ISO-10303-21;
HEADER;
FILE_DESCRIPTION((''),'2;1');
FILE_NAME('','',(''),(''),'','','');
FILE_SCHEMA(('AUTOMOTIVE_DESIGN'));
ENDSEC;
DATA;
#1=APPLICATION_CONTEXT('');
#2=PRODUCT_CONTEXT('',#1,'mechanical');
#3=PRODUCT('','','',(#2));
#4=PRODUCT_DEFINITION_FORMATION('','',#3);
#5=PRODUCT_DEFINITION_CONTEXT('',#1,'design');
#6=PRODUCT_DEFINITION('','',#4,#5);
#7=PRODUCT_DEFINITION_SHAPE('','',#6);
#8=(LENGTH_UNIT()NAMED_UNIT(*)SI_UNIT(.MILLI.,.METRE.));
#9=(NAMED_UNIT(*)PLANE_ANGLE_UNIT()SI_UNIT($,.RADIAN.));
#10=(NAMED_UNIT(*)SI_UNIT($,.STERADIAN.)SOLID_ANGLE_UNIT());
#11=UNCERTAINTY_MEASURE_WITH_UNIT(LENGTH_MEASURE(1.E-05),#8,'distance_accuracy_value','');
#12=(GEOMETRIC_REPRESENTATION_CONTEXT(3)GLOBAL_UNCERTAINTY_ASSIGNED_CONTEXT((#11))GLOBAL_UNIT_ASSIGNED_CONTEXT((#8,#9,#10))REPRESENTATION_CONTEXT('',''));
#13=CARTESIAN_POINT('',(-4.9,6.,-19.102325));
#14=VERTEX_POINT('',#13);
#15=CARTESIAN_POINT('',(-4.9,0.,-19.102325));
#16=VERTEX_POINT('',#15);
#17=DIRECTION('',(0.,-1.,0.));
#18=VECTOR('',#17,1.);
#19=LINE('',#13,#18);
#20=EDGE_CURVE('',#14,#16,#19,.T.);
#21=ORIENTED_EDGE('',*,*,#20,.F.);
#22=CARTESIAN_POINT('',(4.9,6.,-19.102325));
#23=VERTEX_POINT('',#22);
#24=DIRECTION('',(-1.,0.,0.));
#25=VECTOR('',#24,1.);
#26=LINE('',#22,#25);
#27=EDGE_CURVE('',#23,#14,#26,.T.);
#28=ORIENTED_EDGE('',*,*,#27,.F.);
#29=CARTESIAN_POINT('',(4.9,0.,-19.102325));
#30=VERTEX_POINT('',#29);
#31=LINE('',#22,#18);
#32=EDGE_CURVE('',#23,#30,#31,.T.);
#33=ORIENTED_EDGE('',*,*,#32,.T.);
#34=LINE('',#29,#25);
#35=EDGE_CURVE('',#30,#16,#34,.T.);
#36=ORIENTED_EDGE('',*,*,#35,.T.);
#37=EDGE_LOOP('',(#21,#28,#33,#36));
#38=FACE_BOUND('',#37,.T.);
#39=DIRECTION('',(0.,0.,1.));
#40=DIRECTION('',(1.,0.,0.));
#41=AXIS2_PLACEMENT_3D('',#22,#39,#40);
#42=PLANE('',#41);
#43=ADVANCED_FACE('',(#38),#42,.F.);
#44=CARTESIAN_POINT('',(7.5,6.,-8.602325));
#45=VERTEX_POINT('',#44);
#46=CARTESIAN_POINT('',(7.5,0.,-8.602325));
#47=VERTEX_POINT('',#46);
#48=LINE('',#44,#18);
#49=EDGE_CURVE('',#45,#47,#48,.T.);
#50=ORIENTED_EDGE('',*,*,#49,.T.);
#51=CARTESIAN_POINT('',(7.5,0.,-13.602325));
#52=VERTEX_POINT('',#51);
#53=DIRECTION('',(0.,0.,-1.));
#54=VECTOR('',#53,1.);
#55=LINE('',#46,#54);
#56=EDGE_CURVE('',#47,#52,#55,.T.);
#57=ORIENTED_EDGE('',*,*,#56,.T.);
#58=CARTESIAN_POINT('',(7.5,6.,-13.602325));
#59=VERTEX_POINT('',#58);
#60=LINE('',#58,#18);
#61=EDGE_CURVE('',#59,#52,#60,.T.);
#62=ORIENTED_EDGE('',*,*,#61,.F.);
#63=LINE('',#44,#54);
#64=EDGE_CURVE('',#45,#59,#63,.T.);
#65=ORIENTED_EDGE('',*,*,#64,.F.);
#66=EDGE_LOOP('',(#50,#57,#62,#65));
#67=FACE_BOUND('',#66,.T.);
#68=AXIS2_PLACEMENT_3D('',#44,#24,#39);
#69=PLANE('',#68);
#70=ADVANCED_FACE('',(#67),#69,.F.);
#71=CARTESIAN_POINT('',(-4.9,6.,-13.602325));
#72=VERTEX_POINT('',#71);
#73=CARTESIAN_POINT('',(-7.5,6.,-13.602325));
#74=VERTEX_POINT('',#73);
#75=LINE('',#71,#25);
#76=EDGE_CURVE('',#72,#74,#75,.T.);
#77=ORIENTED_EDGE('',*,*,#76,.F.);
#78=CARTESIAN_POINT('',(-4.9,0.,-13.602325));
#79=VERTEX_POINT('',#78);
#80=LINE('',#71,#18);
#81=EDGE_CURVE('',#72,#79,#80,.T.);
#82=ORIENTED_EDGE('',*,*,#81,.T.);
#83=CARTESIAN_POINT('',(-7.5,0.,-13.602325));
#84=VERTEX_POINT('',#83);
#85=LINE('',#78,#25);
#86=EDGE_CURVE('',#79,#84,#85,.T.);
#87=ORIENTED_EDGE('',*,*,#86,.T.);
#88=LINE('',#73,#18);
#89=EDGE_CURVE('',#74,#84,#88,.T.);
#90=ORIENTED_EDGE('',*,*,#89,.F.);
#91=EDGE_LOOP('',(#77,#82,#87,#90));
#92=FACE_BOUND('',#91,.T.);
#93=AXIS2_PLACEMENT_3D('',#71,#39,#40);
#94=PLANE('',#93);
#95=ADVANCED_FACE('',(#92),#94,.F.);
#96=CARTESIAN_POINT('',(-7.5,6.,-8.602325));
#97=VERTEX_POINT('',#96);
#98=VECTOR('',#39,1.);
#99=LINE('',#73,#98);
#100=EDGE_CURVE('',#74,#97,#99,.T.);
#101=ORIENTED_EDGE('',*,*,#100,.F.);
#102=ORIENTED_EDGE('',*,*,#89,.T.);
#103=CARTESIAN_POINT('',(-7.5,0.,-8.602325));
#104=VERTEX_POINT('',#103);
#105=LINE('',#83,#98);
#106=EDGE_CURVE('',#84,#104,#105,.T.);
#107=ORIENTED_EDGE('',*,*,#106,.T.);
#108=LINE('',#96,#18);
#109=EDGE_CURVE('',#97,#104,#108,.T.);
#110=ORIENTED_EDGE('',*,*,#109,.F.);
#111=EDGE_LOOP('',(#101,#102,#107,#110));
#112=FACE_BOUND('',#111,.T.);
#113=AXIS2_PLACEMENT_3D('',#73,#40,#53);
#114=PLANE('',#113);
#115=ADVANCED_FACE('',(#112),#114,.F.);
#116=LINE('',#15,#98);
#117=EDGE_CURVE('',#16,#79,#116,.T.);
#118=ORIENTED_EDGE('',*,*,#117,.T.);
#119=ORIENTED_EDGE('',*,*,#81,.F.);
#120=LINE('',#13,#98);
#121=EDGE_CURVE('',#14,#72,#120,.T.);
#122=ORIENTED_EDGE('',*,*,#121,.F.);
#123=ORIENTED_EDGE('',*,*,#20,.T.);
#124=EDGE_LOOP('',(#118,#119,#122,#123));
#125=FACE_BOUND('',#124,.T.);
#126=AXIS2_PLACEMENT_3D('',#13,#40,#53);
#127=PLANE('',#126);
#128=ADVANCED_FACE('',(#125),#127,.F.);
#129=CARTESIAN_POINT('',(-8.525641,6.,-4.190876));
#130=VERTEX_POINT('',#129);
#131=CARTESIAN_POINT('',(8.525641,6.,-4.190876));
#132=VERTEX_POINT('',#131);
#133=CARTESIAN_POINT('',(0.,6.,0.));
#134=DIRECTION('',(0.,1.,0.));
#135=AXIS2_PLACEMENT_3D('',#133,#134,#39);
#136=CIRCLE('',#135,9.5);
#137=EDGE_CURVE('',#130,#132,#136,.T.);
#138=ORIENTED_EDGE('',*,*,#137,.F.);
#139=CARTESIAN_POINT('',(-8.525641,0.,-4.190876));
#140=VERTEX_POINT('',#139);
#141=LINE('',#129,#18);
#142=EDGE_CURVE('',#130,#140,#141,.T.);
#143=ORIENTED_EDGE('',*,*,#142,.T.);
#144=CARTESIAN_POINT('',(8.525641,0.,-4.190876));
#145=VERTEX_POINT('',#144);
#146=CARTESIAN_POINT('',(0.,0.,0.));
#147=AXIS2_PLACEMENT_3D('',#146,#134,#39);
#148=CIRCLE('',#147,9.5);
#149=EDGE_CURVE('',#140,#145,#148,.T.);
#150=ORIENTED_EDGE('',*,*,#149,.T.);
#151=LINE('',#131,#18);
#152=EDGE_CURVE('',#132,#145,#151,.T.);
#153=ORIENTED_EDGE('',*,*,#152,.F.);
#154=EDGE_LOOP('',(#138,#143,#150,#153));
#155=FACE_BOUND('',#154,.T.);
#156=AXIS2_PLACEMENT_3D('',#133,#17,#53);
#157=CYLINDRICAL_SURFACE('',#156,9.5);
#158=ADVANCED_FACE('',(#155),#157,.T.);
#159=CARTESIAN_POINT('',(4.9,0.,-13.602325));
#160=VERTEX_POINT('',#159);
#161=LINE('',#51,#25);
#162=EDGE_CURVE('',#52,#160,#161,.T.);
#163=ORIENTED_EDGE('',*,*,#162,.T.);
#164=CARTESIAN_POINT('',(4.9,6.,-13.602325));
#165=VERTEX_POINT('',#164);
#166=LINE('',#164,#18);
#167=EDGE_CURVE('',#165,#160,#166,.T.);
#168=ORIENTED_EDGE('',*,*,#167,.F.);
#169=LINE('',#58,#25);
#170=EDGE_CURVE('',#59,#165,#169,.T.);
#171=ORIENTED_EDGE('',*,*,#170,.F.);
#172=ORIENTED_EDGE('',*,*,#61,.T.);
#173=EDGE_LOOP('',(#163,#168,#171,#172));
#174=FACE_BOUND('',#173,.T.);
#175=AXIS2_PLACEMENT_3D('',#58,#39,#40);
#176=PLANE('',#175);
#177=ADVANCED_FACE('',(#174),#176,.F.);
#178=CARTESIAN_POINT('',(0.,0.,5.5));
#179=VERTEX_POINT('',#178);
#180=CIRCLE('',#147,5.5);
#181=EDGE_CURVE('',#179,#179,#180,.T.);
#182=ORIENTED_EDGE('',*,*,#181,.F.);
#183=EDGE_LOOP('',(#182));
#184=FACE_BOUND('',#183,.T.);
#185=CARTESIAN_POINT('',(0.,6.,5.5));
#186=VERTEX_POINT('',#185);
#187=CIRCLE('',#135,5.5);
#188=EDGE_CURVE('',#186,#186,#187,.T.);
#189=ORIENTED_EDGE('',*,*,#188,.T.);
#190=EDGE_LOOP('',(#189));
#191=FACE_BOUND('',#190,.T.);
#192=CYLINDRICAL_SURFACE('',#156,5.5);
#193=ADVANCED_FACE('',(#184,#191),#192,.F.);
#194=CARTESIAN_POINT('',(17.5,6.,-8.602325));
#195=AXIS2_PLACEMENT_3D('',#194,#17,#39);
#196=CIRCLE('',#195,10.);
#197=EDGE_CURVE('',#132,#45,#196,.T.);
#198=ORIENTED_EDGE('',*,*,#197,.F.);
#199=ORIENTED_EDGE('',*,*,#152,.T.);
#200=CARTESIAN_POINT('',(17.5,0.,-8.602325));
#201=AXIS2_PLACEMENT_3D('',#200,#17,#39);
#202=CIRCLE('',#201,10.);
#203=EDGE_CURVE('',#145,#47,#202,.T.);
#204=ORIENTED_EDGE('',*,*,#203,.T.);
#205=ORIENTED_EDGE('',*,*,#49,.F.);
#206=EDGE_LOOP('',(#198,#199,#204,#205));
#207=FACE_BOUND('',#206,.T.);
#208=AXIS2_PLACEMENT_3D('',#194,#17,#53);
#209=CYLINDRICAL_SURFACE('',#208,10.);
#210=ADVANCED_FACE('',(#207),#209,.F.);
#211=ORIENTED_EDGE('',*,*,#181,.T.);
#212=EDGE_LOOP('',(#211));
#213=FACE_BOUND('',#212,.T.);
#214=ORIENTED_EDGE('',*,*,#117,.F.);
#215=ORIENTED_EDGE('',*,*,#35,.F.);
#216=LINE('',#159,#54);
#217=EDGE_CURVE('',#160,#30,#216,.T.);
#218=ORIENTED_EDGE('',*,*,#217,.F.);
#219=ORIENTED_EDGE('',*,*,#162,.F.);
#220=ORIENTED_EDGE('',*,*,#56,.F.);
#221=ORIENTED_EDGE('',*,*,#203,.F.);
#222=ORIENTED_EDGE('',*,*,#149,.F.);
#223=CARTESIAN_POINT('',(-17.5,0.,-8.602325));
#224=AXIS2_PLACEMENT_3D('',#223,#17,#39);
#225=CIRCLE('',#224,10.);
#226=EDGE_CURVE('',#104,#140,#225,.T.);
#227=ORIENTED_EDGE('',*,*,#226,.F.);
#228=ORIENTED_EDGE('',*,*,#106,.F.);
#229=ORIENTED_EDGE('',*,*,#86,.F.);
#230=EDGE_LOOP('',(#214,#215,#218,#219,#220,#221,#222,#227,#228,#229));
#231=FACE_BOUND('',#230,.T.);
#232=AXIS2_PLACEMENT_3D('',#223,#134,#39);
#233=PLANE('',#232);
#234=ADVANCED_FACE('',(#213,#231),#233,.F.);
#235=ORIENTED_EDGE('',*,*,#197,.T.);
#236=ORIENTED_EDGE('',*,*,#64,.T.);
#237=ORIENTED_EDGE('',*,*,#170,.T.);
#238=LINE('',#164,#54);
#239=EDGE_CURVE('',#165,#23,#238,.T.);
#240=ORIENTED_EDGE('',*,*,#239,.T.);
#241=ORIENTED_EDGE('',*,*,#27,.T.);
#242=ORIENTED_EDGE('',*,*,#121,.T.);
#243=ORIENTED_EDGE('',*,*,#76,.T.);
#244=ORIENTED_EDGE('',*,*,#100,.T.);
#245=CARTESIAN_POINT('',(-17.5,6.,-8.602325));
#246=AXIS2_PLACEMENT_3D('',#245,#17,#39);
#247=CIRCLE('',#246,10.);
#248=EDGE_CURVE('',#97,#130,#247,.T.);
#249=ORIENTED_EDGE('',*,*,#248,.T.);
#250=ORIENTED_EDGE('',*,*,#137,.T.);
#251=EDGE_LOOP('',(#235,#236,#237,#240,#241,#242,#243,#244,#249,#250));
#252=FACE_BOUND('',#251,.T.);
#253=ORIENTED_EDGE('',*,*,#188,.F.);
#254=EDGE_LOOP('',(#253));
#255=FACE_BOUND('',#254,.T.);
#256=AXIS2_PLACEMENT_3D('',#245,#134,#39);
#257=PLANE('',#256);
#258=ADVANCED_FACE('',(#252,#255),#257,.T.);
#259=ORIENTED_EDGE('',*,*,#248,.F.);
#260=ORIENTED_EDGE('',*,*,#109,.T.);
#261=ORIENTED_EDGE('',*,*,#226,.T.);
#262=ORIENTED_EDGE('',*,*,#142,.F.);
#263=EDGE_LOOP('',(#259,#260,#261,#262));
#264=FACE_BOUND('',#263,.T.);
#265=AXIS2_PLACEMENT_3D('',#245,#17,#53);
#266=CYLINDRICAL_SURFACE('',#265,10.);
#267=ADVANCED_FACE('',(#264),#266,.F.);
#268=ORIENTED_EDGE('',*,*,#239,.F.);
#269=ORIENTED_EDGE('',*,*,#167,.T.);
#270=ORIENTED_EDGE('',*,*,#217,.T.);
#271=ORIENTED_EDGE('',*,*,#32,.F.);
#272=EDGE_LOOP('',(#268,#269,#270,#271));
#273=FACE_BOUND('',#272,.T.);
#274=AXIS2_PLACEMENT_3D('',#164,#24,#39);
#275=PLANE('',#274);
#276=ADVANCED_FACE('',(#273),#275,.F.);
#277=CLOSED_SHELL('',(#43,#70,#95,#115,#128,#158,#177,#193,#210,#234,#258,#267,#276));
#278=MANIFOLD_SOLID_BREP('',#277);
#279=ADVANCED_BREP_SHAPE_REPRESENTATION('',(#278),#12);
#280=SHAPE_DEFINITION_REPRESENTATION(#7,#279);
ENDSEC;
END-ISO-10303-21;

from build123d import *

# Parameters (mm, degrees)
SKETCH1_R           = 5.5
BOSS_EXTRUDE1_DEPTH = 6


with BuildPart() as part:
    # Sketch1 → Boss-Extrude1 (new body)
    with BuildSketch(Plane(origin=(0, 0, 0), x_dir=(1, 0, 0), z_dir=(0, 1, 0))):
        with BuildLine():
            Line((7.5, 8.602325267), (7.5, 13.602325267))
            Line((7.5, 13.602325267), (4.9, 13.602325267))
            Line((4.9, 13.602325267), (4.9, 19.102325267))
            Line((4.9, 19.102325267), (-4.9, 19.102325267))
            Line((-4.9, 19.102325267), (-4.9, 13.602325267))
            Line((-4.9, 13.602325267), (-7.5, 13.602325267))
            Line((-7.5, 13.602325267), (-7.5, 8.602325267))
            ThreePointArc((-7.5, 8.602325267), (-7.75978466, 6.337771199), (-8.525641026, 4.190876412))
            ThreePointArc((-8.525641026, 4.190876412), (0, -9.5), (8.525641026, 4.190876412))
            ThreePointArc((8.525641026, 4.190876412), (7.75978466, 6.337771199), (7.5, 8.602325267))
        make_face()
        with Locations(Location((0, 0, 0), (0, 0, 270))):
            Circle(SKETCH1_R, mode=Mode.SUBTRACT)
    extrude(amount=BOSS_EXTRUDE1_DEPTH)


solid = part.part
